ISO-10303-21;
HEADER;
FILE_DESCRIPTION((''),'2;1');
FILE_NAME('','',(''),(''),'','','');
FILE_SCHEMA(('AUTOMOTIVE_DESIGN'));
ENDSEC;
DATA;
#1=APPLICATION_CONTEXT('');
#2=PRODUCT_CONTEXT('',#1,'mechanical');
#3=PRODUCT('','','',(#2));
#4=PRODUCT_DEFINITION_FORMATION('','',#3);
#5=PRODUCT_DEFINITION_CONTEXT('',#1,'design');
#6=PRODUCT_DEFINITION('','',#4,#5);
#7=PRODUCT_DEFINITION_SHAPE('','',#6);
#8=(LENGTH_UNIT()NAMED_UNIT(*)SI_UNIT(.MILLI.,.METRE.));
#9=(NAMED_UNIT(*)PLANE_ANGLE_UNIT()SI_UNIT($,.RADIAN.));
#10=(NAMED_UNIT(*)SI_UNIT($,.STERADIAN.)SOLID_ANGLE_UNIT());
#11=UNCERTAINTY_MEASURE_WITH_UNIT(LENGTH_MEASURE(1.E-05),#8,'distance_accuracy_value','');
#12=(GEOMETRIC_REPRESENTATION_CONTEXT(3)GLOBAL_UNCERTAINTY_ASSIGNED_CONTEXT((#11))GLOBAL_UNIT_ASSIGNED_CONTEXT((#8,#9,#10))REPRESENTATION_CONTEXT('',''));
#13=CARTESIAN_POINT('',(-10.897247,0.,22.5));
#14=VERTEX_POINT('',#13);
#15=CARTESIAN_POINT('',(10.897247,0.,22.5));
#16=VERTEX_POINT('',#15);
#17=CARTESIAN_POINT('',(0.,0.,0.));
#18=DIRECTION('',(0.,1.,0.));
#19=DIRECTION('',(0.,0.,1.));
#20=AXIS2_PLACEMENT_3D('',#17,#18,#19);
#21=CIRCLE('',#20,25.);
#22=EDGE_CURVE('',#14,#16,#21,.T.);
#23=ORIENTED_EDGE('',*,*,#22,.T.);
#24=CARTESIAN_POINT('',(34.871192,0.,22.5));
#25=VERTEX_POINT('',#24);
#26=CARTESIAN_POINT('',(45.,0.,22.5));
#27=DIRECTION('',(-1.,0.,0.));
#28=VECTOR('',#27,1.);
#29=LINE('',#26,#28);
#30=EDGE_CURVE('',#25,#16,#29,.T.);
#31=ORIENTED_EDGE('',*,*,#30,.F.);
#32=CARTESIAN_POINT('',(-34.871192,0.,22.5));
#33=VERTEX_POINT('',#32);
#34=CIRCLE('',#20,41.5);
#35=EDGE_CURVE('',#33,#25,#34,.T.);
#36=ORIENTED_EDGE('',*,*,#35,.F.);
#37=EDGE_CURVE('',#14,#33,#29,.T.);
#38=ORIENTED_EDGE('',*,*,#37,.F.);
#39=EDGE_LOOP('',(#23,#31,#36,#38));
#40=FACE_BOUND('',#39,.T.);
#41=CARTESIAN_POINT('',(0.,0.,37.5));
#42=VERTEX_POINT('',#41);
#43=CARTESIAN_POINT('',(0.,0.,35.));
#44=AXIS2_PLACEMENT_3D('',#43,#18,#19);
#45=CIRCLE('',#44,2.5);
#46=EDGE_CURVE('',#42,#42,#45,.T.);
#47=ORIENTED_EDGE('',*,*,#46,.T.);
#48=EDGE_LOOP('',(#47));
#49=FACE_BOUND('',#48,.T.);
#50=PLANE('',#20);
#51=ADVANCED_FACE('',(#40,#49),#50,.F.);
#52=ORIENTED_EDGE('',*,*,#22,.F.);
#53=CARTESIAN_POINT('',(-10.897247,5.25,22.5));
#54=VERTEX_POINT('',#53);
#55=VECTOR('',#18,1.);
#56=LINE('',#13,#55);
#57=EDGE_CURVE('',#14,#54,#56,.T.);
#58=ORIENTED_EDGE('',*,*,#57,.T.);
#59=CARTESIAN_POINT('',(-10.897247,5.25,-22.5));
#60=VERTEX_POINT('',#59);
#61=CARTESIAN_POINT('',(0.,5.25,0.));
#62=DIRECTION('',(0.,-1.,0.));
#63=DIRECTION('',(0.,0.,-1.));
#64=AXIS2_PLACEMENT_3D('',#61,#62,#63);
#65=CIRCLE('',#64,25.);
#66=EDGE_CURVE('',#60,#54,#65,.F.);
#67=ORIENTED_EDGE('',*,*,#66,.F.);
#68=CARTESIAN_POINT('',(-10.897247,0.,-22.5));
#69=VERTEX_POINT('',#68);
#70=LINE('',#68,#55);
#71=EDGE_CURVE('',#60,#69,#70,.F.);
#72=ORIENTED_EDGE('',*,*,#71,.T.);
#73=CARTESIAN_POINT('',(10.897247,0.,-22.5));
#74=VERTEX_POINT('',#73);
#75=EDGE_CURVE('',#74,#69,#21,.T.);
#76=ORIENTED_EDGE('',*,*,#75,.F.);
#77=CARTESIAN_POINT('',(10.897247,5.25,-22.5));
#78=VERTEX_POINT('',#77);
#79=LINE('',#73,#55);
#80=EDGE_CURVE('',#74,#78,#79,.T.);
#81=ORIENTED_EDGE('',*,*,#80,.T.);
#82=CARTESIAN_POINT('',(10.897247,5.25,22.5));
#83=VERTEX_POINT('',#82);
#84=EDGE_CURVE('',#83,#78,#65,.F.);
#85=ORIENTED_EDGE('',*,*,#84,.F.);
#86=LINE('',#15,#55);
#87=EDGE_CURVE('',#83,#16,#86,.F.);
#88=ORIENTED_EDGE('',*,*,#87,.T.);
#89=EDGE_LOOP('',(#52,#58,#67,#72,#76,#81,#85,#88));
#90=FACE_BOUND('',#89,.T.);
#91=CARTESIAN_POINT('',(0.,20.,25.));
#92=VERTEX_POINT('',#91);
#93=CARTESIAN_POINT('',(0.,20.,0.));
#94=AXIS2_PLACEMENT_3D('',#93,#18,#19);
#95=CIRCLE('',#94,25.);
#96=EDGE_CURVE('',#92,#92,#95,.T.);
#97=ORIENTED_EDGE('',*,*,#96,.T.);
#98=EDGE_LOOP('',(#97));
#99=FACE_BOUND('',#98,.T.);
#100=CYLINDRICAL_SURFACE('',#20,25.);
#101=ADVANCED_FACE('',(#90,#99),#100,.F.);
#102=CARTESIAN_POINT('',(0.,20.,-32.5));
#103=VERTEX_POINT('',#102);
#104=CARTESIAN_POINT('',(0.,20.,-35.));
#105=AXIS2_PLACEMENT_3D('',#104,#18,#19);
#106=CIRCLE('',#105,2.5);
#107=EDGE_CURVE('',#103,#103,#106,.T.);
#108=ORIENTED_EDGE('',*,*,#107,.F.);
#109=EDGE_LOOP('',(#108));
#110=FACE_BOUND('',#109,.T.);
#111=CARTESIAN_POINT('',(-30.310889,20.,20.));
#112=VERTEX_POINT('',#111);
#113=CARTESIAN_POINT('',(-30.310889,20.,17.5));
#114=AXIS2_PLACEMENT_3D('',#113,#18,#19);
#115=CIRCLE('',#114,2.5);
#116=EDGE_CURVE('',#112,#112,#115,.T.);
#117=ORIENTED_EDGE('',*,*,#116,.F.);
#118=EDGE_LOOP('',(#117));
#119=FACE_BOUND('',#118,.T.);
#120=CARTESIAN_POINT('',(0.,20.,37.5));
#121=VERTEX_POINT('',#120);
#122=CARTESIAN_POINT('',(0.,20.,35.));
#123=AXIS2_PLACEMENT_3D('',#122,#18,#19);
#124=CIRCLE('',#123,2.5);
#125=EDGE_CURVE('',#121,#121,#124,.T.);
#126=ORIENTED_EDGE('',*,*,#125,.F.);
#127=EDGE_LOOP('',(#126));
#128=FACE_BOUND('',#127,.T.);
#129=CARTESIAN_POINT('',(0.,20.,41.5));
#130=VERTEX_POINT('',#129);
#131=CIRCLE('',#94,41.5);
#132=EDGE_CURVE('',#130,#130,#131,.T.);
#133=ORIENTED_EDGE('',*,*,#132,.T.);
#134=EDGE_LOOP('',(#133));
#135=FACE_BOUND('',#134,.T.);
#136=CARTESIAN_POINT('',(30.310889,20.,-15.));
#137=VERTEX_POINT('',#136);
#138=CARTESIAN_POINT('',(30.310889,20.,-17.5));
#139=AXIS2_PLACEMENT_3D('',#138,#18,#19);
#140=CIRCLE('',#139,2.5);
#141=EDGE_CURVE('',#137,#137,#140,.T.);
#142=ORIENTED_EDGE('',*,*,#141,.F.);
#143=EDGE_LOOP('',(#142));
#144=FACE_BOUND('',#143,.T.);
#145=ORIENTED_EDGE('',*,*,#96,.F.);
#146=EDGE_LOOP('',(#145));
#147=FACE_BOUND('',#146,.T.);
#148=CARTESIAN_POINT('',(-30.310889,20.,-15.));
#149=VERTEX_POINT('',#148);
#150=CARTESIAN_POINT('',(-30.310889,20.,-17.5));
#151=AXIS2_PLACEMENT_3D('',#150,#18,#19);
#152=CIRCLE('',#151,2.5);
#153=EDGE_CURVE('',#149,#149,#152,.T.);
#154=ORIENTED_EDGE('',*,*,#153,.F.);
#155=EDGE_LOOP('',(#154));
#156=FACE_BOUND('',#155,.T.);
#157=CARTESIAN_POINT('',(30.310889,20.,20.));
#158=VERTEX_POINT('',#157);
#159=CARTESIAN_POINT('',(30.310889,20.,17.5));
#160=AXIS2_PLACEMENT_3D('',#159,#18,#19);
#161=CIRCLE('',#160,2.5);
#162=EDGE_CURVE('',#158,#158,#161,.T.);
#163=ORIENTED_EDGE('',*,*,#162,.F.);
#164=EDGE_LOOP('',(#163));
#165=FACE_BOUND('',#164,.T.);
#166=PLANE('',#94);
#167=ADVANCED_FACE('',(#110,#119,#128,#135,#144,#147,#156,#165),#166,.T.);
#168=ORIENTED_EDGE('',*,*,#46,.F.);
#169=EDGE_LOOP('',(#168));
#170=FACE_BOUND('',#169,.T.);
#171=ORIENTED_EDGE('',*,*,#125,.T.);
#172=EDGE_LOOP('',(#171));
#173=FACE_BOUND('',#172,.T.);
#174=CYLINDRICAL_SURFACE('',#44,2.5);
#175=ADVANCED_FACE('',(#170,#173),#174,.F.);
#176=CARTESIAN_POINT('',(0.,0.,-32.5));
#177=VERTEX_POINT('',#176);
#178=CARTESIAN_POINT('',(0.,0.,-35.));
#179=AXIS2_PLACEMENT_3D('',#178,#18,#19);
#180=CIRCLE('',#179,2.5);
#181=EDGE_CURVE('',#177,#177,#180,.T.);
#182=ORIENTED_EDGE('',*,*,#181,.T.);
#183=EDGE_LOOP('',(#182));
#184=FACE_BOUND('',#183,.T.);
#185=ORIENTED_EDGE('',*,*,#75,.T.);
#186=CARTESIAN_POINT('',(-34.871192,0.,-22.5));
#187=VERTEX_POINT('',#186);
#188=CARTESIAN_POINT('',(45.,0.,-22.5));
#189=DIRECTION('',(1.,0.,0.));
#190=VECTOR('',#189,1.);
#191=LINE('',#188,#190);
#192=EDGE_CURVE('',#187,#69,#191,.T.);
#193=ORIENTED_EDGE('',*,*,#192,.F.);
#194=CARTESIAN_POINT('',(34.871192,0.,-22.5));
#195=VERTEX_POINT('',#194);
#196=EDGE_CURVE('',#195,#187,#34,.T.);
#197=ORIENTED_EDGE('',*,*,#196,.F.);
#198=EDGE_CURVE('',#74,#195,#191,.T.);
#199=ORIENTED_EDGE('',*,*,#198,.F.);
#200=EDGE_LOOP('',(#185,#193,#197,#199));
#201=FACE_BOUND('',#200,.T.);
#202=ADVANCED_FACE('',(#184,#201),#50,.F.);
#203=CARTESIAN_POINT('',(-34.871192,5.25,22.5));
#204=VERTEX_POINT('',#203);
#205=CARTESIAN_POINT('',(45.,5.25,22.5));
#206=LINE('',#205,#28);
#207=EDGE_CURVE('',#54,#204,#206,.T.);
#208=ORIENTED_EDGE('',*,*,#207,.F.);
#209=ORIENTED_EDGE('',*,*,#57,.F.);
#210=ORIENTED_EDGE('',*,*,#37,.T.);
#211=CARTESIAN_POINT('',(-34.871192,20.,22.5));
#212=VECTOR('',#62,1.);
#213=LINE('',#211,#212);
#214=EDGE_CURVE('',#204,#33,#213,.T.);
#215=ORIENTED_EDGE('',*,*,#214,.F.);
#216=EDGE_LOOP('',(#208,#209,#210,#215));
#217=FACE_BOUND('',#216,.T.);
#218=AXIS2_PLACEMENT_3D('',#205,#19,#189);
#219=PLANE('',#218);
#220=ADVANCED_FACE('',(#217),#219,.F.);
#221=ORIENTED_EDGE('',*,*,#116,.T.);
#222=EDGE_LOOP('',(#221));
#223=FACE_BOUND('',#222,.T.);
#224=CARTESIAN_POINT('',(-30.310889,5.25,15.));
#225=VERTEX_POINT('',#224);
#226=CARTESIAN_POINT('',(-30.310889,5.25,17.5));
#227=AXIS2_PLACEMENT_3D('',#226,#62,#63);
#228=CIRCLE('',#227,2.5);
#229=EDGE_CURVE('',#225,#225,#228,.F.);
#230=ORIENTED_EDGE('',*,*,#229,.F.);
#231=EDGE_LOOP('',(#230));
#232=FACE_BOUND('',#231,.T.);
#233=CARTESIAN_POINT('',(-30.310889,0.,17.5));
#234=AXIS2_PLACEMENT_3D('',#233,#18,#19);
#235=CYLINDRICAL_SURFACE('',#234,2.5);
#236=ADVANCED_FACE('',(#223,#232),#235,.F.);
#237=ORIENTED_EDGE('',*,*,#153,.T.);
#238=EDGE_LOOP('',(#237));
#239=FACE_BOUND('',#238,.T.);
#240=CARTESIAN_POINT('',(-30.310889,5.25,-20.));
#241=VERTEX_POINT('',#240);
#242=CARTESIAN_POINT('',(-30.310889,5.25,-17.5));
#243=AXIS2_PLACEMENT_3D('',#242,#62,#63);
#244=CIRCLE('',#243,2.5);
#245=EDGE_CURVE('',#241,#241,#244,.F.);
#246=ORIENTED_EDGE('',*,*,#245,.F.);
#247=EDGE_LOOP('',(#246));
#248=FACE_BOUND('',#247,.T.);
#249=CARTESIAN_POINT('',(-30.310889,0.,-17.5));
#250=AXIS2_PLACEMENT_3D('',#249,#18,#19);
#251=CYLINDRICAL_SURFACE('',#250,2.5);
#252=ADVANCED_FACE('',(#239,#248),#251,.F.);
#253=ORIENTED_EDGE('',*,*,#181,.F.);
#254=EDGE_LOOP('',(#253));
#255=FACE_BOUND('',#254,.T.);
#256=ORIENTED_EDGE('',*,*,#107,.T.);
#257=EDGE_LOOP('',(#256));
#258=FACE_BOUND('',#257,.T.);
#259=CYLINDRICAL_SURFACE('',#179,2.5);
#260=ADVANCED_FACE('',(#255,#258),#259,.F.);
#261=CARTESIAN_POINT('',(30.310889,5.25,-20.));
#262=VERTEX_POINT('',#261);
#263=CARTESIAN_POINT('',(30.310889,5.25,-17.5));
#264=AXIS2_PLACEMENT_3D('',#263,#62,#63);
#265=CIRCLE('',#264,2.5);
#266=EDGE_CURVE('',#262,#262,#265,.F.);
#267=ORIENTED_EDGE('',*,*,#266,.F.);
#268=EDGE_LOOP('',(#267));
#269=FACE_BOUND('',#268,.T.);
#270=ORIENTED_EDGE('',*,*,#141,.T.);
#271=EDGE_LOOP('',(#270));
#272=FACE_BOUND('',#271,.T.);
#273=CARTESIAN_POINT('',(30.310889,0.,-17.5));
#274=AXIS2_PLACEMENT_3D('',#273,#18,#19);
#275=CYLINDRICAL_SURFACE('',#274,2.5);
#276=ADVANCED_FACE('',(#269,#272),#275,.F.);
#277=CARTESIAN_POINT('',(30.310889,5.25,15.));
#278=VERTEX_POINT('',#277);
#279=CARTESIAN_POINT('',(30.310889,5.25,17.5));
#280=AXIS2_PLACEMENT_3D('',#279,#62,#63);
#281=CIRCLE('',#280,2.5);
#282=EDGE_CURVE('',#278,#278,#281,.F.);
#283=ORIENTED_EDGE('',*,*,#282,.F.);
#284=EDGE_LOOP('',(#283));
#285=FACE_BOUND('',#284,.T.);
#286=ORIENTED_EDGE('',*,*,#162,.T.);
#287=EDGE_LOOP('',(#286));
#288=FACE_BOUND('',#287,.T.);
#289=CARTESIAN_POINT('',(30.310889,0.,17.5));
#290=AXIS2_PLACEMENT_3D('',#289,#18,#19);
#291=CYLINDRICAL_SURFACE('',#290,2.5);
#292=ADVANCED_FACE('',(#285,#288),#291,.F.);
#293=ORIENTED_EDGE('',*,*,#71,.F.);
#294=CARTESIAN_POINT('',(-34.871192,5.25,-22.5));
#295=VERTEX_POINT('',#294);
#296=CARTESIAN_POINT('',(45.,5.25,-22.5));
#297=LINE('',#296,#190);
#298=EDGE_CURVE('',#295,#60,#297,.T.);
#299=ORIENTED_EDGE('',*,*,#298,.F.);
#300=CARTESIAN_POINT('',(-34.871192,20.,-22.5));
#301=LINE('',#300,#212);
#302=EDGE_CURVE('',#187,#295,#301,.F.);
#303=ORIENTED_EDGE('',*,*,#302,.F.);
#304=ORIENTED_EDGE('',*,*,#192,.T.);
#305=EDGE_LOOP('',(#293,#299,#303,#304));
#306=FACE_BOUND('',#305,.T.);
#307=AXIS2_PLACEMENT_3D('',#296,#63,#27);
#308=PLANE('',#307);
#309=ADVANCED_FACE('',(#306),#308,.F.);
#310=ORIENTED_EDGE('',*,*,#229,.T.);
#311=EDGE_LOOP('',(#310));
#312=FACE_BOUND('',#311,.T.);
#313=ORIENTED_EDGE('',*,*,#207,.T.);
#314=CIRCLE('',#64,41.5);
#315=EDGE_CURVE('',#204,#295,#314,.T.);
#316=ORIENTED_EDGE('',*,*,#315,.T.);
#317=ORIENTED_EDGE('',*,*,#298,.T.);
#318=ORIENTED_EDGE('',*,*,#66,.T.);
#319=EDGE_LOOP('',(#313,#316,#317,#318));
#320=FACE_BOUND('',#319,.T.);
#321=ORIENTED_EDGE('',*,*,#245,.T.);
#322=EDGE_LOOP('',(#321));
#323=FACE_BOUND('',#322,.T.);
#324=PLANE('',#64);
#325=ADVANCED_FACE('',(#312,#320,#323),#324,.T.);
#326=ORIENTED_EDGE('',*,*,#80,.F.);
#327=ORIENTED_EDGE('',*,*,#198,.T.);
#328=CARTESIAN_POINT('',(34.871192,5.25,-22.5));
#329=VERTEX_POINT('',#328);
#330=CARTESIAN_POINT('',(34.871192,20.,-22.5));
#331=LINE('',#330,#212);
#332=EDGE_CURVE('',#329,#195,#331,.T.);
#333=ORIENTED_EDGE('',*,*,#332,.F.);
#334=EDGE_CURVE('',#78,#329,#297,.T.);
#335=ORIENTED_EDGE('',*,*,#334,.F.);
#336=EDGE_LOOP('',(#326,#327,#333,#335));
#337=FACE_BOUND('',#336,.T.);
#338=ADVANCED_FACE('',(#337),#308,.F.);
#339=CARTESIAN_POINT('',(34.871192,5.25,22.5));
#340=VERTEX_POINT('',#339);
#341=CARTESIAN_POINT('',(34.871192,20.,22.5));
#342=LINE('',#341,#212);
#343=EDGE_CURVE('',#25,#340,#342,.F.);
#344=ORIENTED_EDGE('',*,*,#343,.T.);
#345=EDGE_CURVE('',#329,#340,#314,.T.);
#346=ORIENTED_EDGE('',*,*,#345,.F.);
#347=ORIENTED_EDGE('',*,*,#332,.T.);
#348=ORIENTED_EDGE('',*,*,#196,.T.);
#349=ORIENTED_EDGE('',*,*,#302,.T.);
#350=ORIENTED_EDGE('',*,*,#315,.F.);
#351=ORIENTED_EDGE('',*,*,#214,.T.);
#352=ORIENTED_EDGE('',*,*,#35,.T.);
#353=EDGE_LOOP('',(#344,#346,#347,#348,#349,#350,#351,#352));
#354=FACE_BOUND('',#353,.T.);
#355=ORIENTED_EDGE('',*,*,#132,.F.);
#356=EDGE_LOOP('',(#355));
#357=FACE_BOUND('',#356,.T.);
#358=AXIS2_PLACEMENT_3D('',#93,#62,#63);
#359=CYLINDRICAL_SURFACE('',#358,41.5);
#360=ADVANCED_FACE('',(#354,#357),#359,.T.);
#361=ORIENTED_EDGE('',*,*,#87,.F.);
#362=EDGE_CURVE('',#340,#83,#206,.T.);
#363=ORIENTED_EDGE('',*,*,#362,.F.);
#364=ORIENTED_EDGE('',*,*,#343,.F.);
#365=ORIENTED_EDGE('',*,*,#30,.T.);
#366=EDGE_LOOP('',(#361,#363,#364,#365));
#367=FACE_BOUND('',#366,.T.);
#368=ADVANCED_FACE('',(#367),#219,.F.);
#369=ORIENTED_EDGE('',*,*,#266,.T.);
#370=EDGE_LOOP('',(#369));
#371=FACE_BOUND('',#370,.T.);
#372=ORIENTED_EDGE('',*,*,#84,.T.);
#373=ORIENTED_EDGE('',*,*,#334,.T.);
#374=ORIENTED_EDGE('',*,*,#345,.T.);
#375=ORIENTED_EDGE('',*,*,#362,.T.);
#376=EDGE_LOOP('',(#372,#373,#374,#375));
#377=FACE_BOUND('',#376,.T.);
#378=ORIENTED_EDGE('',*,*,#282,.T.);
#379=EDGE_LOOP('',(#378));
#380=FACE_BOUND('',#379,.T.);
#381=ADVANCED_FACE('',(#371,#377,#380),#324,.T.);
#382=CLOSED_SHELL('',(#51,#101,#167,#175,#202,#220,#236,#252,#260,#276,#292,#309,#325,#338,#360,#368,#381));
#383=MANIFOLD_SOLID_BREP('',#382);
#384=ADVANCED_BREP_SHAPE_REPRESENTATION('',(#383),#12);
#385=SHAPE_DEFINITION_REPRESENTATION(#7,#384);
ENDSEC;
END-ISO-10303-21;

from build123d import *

# Parameters (mm, degrees)
SKETCH1_R          = 41.5
MAIN_PLATE_DEPTH   = 20
SKETCH3_R          = 2.5
SKETCH3_R_2        = 25
MOMO_SPARKO_DEPTH  = 63.004032127
SKETCH4_W          = 90
SKETCH4_H          = 45
CUT_EXTRUDE1_DEPTH = 5.25


with BuildPart() as part:
    # Sketch1 → Main Plate (new body)
    with BuildSketch(Plane(origin=(0, 0, 0), x_dir=(1, 0, 0), z_dir=(0, 1, 0))):
        with Locations(Location((0, 0, 0), (0, 0, 270))):
            Circle(SKETCH1_R)
    extrude(amount=MAIN_PLATE_DEPTH)

    # Sketch3 → Momo - Sparko (cut, through all)
    with BuildSketch(Plane(origin=(0, 20, 0), x_dir=(1, 0, 0), z_dir=(0, 1, 0))):
        with Locations(Location((0, 35, 0), (0, 0, 270))):
            Circle(SKETCH3_R)
        with Locations(Location((0, 0, 0), (0, 0, 270))):
            Circle(SKETCH3_R_2)
        with Locations(Location((30.310889132, 17.5, 0), (0, 0, 270))):
            Circle(SKETCH3_R)
        with Locations(Location((30.310889132, -17.5, 0), (0, 0, 270))):
            Circle(SKETCH3_R)
        with Locations(Location((0, -35, 0), (0, 0, 270))):
            Circle(SKETCH3_R)
        with Locations(Location((-30.310889132, -17.5, 0), (0, 0, 270))):
            Circle(SKETCH3_R)
        with Locations(Location((-30.310889132, 17.5, 0), (0, 0, 270))):
            Circle(SKETCH3_R)
    extrude(amount=-MOMO_SPARKO_DEPTH, mode=Mode.SUBTRACT)

    # Sketch4 → Cut-Extrude1 (cut)
    with BuildSketch(Plane.XZ):
        Rectangle(SKETCH4_W, SKETCH4_H)
    extrude(amount=-CUT_EXTRUDE1_DEPTH, mode=Mode.SUBTRACT)


solid = part.part
